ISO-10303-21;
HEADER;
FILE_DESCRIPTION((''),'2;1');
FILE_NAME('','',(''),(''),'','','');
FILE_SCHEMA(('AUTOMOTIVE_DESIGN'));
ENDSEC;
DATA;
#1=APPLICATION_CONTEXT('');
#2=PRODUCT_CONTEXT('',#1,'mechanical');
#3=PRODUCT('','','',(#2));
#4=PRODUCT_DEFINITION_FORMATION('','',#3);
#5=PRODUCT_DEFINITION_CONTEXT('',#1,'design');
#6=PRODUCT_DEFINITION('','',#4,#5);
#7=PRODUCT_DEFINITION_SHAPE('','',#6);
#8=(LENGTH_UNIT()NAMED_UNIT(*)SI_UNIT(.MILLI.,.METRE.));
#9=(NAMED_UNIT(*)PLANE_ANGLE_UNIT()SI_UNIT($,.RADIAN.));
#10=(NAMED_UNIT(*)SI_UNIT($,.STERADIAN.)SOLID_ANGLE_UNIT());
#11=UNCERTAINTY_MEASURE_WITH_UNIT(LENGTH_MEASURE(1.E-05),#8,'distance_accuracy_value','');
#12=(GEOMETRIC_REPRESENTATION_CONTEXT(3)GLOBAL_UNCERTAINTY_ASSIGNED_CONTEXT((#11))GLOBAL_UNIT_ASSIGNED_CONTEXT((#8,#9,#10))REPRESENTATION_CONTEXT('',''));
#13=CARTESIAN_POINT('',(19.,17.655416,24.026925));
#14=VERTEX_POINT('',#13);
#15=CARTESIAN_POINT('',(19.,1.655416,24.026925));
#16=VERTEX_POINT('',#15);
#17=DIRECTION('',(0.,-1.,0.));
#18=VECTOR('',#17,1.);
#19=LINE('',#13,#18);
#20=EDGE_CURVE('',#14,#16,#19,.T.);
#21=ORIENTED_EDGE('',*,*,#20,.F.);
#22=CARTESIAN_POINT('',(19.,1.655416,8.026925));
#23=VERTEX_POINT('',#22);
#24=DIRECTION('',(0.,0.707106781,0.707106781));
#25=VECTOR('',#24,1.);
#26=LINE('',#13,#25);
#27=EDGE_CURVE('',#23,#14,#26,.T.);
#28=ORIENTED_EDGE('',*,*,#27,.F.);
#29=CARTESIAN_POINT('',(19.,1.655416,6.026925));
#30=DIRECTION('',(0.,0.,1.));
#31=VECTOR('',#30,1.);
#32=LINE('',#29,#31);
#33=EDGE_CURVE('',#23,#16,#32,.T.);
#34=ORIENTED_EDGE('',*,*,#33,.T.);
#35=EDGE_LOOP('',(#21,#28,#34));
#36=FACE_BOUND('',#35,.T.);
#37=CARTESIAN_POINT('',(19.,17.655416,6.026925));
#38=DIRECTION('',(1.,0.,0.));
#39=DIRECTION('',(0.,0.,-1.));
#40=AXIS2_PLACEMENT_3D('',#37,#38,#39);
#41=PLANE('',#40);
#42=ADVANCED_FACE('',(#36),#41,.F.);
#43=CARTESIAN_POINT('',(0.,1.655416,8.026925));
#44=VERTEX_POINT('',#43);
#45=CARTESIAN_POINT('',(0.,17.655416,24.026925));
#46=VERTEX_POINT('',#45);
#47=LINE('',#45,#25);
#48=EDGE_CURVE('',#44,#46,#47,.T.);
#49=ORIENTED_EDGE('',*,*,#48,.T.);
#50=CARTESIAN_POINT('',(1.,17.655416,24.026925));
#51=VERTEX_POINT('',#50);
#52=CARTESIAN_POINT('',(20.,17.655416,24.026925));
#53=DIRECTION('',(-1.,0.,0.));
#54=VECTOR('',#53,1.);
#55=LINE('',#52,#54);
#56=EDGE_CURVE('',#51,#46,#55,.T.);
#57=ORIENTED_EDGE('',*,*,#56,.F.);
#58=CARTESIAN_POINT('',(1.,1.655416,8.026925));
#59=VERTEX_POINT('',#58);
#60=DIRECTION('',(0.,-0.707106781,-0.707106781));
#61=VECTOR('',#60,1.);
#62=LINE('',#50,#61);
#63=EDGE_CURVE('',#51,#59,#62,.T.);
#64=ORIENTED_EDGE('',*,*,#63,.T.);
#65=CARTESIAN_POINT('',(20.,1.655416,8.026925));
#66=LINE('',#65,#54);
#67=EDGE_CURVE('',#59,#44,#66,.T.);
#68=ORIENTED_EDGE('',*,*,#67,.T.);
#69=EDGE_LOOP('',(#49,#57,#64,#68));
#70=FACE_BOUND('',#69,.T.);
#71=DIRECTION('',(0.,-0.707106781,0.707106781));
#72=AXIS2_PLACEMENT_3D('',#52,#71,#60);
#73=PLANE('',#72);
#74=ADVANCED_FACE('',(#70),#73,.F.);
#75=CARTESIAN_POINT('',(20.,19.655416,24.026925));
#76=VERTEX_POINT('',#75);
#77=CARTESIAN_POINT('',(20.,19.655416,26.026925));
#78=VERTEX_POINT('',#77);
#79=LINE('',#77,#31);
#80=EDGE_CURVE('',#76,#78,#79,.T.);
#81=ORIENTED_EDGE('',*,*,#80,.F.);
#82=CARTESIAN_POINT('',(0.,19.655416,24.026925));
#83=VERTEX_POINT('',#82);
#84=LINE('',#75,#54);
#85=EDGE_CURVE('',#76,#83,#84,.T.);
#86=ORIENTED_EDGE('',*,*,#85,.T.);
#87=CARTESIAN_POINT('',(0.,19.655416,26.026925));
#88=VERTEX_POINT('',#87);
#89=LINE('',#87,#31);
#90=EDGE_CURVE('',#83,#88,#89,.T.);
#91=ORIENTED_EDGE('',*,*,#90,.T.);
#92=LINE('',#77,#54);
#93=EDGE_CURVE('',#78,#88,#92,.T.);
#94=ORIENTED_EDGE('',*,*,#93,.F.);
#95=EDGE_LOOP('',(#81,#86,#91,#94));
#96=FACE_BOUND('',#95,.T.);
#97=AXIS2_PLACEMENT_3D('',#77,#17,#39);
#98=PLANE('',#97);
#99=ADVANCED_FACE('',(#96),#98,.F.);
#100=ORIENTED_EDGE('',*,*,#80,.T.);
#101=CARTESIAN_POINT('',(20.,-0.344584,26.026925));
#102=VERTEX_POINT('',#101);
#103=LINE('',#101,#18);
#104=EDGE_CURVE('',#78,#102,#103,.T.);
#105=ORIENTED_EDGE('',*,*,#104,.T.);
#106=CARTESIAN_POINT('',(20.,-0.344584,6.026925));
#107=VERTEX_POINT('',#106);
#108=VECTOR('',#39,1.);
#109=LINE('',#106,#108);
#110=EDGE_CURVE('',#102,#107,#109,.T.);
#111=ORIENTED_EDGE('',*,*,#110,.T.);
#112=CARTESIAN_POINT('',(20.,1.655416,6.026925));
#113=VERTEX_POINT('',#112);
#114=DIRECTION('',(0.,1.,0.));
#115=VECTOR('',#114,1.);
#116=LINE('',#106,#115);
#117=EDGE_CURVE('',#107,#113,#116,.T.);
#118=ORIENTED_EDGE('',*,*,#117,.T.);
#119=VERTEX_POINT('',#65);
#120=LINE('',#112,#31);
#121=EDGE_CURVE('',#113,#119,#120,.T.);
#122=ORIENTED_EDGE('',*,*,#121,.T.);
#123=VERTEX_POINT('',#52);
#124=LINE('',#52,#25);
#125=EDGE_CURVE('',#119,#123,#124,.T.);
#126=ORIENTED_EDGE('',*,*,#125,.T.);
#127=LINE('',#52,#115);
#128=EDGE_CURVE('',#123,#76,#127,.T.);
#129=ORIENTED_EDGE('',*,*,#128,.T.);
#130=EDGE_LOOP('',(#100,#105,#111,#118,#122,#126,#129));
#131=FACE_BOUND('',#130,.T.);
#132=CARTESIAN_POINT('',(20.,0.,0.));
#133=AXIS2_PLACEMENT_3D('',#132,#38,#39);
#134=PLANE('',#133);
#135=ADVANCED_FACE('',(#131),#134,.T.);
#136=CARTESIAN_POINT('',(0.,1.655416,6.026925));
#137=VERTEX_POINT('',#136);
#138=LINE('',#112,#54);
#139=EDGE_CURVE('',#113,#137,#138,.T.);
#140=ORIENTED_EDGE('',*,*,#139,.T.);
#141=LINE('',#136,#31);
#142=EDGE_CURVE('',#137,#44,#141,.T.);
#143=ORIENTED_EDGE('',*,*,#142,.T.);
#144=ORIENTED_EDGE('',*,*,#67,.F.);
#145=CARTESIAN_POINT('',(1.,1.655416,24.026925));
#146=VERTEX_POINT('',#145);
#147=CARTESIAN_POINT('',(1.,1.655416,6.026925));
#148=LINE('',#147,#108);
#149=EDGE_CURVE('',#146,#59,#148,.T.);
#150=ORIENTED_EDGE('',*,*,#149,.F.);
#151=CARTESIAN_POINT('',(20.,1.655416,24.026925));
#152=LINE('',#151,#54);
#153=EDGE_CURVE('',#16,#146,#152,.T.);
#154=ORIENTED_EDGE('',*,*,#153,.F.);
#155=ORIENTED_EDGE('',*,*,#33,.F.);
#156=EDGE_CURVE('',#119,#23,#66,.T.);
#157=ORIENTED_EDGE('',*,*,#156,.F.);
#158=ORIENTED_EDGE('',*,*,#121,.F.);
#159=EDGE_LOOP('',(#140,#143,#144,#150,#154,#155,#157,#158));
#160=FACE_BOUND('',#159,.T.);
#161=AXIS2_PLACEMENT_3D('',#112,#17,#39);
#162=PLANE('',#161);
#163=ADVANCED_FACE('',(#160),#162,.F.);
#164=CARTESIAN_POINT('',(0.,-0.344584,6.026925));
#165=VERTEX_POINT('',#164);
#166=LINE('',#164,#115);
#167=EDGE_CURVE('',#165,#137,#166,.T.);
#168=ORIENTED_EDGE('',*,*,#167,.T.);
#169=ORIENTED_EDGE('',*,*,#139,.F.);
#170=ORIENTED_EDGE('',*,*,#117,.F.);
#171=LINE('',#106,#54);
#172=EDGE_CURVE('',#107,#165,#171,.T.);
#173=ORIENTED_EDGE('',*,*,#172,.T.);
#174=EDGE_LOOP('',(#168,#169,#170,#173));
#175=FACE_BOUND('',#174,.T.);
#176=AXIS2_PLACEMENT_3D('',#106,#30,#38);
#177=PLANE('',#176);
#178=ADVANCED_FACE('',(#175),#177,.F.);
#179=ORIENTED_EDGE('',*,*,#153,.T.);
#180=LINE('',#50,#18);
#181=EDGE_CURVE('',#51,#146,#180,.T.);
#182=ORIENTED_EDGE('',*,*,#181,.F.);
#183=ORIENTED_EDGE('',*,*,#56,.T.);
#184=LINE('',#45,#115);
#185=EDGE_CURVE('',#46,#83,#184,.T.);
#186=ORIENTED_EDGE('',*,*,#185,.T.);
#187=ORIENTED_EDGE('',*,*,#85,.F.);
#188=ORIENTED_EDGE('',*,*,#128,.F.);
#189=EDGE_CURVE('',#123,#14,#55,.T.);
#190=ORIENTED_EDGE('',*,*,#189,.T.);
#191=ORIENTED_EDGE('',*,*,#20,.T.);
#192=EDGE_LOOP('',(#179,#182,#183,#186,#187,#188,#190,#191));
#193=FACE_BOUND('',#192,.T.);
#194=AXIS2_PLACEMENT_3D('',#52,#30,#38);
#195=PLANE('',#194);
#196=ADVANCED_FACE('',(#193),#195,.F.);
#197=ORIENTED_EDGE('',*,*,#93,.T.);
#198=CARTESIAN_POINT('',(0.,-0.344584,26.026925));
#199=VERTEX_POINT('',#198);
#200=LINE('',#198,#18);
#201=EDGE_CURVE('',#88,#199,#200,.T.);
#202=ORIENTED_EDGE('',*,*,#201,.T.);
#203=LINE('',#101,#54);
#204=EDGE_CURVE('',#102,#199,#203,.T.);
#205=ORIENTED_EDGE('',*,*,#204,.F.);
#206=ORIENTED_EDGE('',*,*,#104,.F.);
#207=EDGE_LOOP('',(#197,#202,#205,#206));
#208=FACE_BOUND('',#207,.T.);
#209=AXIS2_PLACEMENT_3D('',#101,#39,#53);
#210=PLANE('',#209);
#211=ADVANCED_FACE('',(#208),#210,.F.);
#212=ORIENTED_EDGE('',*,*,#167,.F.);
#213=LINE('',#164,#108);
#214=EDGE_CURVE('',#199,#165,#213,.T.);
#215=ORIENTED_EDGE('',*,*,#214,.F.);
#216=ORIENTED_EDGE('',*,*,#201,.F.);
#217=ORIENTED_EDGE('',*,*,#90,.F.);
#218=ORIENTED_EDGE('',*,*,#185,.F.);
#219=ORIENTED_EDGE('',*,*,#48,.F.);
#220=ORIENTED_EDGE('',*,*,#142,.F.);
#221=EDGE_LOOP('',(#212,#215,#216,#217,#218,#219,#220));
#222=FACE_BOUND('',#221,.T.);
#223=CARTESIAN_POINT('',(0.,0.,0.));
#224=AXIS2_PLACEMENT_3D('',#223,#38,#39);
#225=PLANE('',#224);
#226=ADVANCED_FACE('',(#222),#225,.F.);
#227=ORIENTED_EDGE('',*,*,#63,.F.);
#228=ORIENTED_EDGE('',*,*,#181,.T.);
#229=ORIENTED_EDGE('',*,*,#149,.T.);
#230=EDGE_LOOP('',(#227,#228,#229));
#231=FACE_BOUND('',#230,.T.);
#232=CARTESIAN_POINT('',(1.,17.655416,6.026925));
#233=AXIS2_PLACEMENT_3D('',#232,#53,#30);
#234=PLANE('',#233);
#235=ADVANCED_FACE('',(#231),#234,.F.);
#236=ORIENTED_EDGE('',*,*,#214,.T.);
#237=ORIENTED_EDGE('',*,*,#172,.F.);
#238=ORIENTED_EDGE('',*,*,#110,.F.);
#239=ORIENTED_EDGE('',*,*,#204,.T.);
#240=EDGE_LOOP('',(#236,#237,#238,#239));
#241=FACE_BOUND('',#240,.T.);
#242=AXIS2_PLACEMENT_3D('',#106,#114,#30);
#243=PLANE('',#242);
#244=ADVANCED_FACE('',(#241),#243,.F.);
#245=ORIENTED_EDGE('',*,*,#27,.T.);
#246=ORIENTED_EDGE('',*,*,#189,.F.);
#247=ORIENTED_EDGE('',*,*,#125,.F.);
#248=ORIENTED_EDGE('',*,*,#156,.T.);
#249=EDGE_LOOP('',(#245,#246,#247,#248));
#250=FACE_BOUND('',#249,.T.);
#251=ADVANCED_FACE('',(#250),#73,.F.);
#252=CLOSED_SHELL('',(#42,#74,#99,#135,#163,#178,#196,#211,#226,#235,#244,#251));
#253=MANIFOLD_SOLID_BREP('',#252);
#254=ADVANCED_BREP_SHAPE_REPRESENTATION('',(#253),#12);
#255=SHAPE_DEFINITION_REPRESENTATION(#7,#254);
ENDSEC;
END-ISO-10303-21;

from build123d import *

# Parameters (mm, degrees)
EXTRUDE_1_DEPTH     = 20
CUT_EXTRUDE_START   = -2
SKETCH_3_W          = 18
SKETCH_3_H          = 16
CUT_EXTRUDE_1_DEPTH = 16


with BuildPart() as part:
    # 草图1 → 凸台-拉伸1 (new body)
    with BuildSketch(Plane(origin=(0, 0, 0), x_dir=(0, 0, -1), z_dir=(1, 0, 0))):
        Polygon((-6.026925143, -0.344583577), (-26.026925143, -0.344583577), (-26.026925143, 19.655416423), (-24.026925143, 19.655416423), (-24.026925143, 17.655416423), (-8.026925143, 1.655416423), (-6.026925143, 1.655416423), align=None)
    extrude(amount=EXTRUDE_1_DEPTH)

    # 草图3 → 切除-拉伸1 (cut)
    with BuildSketch(Plane.XZ.offset(0.344583577).offset(CUT_EXTRUDE_START)):
        with Locations((10, 16.026925143)):
            Rectangle(SKETCH_3_W, SKETCH_3_H)
    extrude(amount=-CUT_EXTRUDE_1_DEPTH, mode=Mode.SUBTRACT)


solid = part.part
